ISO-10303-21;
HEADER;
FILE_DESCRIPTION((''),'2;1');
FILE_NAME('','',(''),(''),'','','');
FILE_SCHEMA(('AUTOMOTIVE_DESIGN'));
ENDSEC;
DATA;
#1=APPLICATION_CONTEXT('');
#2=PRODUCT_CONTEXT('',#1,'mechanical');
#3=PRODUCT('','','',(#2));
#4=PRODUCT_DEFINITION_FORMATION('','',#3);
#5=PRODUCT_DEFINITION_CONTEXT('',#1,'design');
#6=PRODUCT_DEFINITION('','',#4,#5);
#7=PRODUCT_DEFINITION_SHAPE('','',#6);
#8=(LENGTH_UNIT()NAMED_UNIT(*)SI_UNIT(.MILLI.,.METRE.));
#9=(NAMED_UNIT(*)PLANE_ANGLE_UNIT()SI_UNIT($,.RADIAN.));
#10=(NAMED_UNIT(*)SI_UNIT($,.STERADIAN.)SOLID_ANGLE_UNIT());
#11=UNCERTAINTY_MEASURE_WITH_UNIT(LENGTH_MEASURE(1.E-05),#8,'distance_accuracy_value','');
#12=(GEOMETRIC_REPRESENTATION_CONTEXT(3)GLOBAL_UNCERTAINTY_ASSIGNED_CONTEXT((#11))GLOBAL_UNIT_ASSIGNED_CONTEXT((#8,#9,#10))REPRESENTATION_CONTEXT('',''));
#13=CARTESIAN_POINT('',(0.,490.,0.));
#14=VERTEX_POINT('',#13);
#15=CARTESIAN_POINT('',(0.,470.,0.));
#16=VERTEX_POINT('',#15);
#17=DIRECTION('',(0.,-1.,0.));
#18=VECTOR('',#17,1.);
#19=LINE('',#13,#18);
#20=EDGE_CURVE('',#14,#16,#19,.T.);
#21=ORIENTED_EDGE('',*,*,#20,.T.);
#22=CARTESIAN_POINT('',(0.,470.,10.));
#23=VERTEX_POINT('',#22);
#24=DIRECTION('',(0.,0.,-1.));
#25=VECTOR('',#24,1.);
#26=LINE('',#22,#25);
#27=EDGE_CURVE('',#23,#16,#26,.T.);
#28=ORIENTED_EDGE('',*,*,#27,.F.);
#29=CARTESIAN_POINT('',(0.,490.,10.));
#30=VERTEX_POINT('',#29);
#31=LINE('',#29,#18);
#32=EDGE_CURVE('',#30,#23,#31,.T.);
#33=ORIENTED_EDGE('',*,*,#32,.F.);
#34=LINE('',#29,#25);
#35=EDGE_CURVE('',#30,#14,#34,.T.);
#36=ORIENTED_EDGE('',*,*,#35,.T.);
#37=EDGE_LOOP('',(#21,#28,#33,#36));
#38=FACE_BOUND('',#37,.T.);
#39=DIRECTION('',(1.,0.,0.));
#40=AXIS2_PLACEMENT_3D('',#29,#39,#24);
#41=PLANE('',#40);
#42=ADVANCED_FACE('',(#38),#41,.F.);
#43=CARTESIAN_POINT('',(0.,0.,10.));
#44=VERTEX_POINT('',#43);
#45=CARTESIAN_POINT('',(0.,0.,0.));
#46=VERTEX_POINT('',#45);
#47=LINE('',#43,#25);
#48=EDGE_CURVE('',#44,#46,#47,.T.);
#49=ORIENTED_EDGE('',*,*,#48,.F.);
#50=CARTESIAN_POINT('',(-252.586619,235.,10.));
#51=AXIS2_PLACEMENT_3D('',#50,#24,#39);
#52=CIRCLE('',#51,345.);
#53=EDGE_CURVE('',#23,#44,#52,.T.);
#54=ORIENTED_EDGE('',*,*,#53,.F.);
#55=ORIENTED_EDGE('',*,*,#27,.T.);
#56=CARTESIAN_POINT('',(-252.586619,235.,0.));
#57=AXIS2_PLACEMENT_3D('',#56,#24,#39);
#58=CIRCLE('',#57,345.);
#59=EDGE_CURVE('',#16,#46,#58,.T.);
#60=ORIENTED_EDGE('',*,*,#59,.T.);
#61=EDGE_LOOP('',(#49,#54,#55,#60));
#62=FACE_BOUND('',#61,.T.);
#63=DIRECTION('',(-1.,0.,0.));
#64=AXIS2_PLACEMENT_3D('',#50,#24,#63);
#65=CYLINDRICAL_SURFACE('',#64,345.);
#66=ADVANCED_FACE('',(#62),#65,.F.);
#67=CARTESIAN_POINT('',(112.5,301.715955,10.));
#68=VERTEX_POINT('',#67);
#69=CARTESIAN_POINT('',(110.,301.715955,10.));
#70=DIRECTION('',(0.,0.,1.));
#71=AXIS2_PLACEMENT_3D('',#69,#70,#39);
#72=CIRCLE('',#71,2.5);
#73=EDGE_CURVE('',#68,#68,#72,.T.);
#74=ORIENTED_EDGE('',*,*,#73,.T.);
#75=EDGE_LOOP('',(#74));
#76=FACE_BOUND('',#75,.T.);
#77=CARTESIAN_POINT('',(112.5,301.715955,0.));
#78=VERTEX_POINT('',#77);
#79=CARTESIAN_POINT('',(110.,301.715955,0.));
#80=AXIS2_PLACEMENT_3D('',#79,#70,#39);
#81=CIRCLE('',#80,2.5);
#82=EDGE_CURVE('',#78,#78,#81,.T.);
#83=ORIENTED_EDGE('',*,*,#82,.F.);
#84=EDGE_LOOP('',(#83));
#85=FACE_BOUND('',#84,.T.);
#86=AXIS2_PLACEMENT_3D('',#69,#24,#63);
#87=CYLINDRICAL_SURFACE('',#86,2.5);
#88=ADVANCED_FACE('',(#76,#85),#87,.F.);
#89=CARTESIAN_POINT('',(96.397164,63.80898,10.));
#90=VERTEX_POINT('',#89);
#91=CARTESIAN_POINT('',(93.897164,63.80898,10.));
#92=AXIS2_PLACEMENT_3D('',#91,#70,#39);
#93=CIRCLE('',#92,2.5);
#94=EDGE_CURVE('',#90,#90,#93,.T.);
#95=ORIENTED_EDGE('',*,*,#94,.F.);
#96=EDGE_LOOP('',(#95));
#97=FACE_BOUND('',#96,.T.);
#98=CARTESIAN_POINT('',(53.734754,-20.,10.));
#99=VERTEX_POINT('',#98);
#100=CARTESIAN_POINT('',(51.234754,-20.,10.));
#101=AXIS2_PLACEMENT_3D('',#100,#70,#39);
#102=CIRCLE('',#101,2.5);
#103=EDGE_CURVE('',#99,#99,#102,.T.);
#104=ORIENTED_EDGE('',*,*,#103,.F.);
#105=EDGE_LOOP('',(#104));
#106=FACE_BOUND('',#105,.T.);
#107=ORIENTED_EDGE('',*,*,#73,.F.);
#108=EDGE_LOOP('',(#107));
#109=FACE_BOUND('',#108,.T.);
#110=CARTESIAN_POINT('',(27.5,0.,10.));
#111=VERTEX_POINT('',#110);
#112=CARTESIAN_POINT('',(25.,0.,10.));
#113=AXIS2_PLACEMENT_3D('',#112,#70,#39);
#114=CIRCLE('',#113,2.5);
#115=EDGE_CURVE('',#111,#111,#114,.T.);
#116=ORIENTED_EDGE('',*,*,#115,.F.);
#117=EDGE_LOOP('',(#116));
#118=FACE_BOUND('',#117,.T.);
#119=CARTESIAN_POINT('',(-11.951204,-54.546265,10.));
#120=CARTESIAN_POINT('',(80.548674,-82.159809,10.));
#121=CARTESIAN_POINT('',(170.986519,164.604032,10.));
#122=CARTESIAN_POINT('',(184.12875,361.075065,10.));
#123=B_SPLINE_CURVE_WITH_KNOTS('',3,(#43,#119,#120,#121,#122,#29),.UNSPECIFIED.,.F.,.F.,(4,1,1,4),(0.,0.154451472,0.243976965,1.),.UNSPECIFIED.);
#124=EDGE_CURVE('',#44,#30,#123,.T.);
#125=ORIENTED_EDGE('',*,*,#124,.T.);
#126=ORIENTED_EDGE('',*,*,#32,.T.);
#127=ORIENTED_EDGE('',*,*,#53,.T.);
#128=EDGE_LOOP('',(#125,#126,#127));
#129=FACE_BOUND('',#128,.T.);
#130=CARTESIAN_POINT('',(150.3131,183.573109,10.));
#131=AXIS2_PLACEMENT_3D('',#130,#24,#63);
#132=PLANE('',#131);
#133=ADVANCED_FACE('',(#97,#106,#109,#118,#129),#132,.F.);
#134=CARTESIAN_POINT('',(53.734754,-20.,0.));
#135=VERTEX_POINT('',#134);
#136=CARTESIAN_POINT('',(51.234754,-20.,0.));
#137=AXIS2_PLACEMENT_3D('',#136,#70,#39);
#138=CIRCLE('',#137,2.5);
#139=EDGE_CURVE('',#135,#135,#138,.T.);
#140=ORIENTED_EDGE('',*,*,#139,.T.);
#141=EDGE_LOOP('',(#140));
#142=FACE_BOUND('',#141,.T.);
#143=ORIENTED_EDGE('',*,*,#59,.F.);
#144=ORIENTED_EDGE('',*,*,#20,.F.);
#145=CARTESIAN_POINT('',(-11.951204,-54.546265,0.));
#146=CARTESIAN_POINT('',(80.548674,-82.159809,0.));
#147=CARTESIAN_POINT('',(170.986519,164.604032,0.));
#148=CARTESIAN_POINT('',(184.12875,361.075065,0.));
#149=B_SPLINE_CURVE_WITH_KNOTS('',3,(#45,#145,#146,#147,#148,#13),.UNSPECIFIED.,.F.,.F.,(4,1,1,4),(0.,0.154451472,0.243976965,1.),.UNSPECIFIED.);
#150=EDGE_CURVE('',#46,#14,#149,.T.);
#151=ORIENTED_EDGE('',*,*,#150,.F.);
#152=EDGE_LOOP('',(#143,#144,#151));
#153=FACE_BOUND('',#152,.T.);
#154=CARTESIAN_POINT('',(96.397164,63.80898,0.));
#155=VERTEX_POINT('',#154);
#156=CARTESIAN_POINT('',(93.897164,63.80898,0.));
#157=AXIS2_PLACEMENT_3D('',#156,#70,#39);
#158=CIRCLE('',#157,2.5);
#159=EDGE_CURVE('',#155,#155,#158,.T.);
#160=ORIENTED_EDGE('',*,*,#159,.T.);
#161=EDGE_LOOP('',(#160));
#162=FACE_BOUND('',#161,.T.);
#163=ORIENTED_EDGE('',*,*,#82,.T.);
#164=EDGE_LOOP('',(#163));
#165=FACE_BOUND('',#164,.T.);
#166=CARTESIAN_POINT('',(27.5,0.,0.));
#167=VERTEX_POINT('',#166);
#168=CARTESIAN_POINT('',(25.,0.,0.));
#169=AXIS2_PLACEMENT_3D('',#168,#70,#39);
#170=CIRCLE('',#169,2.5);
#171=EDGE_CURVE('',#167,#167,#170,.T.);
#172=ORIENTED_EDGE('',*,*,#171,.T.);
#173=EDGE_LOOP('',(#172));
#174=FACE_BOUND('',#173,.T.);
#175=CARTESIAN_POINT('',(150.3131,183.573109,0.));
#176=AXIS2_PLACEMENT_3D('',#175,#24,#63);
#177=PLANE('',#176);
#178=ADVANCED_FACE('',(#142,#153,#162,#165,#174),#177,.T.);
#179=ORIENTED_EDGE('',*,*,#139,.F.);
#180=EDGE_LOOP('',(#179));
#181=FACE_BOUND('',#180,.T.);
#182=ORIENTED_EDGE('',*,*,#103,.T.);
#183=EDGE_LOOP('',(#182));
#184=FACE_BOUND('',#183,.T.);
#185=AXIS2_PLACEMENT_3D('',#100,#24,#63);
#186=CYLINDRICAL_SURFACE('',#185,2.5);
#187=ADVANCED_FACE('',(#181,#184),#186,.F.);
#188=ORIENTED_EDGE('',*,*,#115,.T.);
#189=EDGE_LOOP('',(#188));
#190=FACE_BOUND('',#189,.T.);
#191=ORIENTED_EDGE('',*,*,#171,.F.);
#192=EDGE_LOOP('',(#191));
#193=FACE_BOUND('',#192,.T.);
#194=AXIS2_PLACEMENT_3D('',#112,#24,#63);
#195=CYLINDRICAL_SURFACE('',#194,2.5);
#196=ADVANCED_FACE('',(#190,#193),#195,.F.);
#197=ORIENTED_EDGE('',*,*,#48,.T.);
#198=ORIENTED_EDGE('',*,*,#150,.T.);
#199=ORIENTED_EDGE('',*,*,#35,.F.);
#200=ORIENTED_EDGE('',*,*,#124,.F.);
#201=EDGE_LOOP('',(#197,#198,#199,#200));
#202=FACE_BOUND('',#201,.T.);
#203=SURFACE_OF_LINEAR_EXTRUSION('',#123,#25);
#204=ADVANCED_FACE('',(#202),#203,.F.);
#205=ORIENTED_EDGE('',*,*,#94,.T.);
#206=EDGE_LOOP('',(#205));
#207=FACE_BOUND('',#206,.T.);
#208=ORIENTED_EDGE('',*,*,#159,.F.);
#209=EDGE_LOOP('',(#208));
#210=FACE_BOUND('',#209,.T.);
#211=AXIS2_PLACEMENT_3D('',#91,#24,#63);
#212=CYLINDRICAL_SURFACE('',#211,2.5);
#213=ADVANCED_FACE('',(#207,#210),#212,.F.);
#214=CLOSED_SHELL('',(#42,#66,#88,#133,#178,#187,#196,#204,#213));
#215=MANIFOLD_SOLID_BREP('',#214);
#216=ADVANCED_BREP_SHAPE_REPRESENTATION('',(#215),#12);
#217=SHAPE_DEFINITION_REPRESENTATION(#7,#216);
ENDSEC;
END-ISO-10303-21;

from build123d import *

# Parameters (mm, degrees)
SKETCH2_R           = 2.5
BOSS_EXTRUDE1_DEPTH = 10


with BuildPart() as part:
    # Sketch2 → Boss-Extrude1 (new body)
    with BuildSketch(Plane.XY):
        with BuildLine():
            Line((0, 490), (0, 470))
            ThreePointArc((0, 470), (92.413381194, 235), (0, 0))
            add(Edge.make_bspline(
                [(0, 0), (-11.951204199, -54.546265489), (80.548673529, -82.159808708), (170.986519024, 164.604032126), (184.128749578, 361.075064975), (0, 490)],
                knots=[0, 0, 0, 0, 0.154451472, 0.243976965, 1, 1, 1, 1], degree=3))
        make_face()
        with Locations((25, 0)):
            Circle(SKETCH2_R, mode=Mode.SUBTRACT)
        with Locations((51.23475383, -20)):
            Circle(SKETCH2_R, mode=Mode.SUBTRACT)
        with Locations((93.897163584, 63.808979888)):
            Circle(SKETCH2_R, mode=Mode.SUBTRACT)
        with Locations((110, 301.715955406)):
            Circle(SKETCH2_R, mode=Mode.SUBTRACT)
    extrude(amount=BOSS_EXTRUDE1_DEPTH)


solid = part.part
